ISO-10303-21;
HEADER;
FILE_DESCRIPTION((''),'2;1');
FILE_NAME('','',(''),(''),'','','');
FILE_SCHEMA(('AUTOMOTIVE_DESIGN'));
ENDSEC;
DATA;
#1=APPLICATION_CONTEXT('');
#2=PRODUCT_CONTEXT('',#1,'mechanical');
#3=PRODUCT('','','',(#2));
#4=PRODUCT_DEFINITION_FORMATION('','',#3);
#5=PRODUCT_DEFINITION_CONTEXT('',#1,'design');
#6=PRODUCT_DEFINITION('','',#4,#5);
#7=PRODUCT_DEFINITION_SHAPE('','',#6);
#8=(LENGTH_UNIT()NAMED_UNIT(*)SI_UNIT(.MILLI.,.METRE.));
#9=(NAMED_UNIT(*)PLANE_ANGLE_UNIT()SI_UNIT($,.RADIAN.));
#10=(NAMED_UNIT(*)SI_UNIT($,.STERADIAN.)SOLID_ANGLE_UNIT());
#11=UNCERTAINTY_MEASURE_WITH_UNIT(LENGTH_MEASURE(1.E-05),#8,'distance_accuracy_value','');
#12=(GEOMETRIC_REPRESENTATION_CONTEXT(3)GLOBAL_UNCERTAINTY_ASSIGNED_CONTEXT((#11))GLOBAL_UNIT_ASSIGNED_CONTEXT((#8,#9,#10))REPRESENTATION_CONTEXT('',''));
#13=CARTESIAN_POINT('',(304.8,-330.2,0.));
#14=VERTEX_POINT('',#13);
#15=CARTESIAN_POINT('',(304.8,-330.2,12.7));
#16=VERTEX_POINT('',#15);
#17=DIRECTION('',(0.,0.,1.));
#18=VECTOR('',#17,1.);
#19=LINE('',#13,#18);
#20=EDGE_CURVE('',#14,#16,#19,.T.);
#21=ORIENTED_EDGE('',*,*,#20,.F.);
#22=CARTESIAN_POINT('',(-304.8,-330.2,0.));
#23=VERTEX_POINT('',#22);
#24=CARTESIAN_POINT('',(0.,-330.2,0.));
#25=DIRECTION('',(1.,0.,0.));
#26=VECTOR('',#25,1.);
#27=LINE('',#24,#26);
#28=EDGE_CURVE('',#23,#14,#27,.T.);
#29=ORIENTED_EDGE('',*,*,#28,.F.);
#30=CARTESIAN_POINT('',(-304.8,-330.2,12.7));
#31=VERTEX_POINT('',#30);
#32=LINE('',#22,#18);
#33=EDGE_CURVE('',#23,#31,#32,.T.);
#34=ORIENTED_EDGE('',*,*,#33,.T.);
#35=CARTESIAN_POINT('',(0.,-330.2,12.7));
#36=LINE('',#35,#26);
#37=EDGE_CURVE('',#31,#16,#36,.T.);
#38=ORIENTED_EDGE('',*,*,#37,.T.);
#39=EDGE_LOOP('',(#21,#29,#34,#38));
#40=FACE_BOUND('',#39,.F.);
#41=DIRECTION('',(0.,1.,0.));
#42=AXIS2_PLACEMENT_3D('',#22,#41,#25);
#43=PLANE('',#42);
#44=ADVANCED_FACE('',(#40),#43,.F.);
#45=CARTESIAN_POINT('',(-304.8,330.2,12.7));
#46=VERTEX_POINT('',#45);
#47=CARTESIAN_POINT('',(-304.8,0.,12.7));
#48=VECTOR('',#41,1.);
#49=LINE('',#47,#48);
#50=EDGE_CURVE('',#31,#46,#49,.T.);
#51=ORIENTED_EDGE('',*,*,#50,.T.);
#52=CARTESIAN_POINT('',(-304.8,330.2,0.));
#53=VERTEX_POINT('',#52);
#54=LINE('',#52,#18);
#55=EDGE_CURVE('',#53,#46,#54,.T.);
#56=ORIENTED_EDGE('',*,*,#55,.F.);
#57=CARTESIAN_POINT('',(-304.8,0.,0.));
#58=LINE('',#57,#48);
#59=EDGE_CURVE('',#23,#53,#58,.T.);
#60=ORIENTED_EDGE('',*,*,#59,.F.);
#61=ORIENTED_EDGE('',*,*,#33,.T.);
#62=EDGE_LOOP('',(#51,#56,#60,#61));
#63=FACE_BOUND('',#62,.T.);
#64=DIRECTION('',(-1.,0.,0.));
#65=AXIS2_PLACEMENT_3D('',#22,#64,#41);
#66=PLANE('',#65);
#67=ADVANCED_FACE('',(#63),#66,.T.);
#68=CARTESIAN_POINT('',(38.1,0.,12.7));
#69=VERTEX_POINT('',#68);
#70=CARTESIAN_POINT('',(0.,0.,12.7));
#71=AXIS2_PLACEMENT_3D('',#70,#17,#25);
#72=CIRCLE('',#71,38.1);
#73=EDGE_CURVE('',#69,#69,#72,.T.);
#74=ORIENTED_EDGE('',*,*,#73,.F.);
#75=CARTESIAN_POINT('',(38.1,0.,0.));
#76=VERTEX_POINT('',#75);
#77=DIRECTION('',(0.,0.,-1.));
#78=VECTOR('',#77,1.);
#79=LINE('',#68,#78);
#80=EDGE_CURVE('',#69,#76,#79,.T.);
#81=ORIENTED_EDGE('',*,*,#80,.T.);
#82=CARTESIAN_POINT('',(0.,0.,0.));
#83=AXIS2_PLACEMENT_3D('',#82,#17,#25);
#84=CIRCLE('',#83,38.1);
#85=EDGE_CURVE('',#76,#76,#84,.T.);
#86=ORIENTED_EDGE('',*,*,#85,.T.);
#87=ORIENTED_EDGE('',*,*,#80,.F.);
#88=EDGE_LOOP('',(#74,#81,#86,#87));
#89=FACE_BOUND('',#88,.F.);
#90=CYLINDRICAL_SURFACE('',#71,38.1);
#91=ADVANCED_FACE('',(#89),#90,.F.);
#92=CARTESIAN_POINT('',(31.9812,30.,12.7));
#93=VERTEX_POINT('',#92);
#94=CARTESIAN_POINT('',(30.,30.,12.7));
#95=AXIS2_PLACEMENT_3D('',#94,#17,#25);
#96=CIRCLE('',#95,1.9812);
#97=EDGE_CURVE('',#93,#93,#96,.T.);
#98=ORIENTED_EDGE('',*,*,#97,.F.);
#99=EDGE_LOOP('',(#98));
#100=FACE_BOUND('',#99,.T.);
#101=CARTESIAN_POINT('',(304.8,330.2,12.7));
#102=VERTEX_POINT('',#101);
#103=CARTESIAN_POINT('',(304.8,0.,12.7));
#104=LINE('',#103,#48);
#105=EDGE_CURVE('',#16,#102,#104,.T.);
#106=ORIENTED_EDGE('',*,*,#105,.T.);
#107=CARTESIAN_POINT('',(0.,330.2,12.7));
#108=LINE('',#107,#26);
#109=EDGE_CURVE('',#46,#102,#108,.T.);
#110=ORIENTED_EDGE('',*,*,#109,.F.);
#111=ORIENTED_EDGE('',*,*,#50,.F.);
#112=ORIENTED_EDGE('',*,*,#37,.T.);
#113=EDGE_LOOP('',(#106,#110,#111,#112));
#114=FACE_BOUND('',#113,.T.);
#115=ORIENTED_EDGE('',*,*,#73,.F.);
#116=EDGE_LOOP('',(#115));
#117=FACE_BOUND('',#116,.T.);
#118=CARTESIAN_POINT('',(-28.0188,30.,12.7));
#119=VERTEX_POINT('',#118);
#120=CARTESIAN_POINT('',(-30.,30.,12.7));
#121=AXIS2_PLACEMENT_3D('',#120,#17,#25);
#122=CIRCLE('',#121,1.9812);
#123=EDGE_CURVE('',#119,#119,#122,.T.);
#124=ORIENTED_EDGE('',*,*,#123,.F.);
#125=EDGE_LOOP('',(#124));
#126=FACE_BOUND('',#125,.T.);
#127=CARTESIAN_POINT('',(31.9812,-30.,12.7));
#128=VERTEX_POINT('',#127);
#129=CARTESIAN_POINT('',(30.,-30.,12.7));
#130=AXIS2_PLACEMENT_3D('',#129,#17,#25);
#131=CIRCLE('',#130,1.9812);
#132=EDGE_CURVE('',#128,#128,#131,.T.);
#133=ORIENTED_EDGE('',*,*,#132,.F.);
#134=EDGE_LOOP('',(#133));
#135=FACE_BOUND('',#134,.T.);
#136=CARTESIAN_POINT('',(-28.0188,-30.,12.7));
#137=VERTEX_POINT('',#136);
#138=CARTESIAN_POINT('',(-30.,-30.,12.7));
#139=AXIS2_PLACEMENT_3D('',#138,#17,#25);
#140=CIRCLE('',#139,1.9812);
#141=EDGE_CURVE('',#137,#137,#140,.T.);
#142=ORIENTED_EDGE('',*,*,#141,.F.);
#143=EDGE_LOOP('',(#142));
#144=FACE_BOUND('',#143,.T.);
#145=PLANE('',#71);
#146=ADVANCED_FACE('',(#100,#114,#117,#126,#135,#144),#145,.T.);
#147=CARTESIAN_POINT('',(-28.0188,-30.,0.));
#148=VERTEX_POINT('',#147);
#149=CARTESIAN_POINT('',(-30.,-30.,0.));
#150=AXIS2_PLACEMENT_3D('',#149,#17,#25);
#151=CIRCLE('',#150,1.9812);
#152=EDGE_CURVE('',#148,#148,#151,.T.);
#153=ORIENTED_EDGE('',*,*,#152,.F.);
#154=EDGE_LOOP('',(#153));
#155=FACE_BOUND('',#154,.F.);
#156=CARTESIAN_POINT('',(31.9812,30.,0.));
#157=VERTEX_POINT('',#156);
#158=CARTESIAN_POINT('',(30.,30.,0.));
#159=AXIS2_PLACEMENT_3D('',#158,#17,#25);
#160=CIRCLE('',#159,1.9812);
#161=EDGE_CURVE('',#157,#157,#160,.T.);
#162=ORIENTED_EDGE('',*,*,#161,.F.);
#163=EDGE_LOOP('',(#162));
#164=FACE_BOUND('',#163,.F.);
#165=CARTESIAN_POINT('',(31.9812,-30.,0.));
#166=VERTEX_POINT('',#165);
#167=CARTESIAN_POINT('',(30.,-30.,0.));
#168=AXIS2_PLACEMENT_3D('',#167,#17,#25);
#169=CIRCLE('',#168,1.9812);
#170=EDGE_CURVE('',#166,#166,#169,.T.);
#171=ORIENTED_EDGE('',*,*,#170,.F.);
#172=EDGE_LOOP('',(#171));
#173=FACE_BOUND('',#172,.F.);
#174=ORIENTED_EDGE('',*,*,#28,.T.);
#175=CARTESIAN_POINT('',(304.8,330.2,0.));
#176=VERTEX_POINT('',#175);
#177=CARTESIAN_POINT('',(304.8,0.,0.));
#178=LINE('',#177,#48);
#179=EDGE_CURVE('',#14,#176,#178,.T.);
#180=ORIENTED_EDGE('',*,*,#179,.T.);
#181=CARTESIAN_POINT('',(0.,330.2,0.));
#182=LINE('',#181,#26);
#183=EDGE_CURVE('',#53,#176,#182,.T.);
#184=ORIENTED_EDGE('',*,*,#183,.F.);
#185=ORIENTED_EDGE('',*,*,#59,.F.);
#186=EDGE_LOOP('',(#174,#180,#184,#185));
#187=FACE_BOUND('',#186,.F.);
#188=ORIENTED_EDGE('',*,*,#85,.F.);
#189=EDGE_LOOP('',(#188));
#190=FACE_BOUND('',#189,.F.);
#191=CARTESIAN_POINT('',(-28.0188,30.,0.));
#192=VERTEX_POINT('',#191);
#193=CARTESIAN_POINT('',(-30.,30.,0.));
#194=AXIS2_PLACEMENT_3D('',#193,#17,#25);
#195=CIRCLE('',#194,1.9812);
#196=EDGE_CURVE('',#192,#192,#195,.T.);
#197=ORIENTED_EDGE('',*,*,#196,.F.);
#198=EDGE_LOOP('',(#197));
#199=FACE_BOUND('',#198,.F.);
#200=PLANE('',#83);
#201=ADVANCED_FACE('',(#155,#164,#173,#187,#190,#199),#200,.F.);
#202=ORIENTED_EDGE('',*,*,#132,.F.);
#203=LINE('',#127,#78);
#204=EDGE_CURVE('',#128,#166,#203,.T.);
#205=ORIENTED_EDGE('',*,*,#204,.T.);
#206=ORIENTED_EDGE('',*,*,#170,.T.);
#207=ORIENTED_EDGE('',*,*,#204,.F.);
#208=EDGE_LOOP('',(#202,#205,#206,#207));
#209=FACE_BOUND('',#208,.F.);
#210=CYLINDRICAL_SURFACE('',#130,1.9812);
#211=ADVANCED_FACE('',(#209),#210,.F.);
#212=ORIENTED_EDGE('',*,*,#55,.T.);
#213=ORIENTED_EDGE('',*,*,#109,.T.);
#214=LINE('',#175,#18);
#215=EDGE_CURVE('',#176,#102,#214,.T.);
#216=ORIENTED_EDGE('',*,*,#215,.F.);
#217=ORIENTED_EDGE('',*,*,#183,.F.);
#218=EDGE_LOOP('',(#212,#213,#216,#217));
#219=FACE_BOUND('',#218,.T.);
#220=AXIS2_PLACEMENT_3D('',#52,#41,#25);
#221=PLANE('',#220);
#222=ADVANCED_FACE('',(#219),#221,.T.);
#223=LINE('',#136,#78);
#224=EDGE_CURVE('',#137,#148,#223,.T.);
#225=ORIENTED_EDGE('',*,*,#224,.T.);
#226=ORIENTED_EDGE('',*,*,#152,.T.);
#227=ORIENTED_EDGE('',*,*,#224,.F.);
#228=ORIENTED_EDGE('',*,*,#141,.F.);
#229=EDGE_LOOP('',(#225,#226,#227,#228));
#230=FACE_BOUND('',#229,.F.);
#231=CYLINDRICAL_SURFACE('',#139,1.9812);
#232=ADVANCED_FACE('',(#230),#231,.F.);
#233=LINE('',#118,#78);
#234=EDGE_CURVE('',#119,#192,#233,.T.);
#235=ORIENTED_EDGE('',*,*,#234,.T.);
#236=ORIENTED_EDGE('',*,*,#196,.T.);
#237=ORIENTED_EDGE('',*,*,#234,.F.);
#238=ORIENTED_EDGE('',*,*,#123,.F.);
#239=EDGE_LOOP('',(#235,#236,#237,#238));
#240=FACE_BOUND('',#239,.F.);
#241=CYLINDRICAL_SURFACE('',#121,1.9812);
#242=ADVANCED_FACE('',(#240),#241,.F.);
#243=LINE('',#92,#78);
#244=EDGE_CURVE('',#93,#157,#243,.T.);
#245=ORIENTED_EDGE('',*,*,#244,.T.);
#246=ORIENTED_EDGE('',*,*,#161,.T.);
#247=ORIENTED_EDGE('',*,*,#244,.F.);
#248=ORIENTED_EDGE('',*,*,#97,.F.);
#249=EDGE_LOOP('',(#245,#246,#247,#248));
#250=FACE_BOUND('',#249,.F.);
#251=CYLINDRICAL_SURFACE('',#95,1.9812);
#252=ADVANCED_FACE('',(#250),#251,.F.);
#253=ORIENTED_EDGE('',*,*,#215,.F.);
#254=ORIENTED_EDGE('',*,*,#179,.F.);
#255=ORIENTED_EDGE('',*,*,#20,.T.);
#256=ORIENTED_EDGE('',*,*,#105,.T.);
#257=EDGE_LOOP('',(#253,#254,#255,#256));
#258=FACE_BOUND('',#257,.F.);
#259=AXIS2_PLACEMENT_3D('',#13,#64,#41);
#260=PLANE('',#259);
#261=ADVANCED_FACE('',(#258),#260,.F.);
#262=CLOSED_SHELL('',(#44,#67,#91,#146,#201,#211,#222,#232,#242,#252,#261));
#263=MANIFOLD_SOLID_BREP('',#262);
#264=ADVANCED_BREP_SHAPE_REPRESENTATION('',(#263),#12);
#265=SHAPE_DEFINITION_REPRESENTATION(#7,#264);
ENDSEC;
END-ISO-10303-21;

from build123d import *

# Parameters (mm, degrees)
F0_W     = 609.6
F0_H     = 660.4
F1_DEPTH = 12.7
F2_R     = 38.1
F2_R_2   = 1.9812
F3_DEPTH = 12.701


with BuildPart() as f1:
    # F0 (on Top) → F1 (new body)
    with BuildSketch(Plane.XY):
        Rectangle(F0_W, F0_H)
    extrude(amount=F1_DEPTH)

    # F2 (on face) → F3 (cut, through all)
    with BuildSketch(Plane.XY.offset(12.7)):
        Circle(F2_R)
        with Locations((30, 30)):
            Circle(F2_R_2)
        with Locations((-30, 30)):
            Circle(F2_R_2)
        with Locations((-30, -30)):
            Circle(F2_R_2)
        with Locations((30, -30)):
            Circle(F2_R_2)
    extrude(amount=-F3_DEPTH, mode=Mode.SUBTRACT)


solid = f1.part
